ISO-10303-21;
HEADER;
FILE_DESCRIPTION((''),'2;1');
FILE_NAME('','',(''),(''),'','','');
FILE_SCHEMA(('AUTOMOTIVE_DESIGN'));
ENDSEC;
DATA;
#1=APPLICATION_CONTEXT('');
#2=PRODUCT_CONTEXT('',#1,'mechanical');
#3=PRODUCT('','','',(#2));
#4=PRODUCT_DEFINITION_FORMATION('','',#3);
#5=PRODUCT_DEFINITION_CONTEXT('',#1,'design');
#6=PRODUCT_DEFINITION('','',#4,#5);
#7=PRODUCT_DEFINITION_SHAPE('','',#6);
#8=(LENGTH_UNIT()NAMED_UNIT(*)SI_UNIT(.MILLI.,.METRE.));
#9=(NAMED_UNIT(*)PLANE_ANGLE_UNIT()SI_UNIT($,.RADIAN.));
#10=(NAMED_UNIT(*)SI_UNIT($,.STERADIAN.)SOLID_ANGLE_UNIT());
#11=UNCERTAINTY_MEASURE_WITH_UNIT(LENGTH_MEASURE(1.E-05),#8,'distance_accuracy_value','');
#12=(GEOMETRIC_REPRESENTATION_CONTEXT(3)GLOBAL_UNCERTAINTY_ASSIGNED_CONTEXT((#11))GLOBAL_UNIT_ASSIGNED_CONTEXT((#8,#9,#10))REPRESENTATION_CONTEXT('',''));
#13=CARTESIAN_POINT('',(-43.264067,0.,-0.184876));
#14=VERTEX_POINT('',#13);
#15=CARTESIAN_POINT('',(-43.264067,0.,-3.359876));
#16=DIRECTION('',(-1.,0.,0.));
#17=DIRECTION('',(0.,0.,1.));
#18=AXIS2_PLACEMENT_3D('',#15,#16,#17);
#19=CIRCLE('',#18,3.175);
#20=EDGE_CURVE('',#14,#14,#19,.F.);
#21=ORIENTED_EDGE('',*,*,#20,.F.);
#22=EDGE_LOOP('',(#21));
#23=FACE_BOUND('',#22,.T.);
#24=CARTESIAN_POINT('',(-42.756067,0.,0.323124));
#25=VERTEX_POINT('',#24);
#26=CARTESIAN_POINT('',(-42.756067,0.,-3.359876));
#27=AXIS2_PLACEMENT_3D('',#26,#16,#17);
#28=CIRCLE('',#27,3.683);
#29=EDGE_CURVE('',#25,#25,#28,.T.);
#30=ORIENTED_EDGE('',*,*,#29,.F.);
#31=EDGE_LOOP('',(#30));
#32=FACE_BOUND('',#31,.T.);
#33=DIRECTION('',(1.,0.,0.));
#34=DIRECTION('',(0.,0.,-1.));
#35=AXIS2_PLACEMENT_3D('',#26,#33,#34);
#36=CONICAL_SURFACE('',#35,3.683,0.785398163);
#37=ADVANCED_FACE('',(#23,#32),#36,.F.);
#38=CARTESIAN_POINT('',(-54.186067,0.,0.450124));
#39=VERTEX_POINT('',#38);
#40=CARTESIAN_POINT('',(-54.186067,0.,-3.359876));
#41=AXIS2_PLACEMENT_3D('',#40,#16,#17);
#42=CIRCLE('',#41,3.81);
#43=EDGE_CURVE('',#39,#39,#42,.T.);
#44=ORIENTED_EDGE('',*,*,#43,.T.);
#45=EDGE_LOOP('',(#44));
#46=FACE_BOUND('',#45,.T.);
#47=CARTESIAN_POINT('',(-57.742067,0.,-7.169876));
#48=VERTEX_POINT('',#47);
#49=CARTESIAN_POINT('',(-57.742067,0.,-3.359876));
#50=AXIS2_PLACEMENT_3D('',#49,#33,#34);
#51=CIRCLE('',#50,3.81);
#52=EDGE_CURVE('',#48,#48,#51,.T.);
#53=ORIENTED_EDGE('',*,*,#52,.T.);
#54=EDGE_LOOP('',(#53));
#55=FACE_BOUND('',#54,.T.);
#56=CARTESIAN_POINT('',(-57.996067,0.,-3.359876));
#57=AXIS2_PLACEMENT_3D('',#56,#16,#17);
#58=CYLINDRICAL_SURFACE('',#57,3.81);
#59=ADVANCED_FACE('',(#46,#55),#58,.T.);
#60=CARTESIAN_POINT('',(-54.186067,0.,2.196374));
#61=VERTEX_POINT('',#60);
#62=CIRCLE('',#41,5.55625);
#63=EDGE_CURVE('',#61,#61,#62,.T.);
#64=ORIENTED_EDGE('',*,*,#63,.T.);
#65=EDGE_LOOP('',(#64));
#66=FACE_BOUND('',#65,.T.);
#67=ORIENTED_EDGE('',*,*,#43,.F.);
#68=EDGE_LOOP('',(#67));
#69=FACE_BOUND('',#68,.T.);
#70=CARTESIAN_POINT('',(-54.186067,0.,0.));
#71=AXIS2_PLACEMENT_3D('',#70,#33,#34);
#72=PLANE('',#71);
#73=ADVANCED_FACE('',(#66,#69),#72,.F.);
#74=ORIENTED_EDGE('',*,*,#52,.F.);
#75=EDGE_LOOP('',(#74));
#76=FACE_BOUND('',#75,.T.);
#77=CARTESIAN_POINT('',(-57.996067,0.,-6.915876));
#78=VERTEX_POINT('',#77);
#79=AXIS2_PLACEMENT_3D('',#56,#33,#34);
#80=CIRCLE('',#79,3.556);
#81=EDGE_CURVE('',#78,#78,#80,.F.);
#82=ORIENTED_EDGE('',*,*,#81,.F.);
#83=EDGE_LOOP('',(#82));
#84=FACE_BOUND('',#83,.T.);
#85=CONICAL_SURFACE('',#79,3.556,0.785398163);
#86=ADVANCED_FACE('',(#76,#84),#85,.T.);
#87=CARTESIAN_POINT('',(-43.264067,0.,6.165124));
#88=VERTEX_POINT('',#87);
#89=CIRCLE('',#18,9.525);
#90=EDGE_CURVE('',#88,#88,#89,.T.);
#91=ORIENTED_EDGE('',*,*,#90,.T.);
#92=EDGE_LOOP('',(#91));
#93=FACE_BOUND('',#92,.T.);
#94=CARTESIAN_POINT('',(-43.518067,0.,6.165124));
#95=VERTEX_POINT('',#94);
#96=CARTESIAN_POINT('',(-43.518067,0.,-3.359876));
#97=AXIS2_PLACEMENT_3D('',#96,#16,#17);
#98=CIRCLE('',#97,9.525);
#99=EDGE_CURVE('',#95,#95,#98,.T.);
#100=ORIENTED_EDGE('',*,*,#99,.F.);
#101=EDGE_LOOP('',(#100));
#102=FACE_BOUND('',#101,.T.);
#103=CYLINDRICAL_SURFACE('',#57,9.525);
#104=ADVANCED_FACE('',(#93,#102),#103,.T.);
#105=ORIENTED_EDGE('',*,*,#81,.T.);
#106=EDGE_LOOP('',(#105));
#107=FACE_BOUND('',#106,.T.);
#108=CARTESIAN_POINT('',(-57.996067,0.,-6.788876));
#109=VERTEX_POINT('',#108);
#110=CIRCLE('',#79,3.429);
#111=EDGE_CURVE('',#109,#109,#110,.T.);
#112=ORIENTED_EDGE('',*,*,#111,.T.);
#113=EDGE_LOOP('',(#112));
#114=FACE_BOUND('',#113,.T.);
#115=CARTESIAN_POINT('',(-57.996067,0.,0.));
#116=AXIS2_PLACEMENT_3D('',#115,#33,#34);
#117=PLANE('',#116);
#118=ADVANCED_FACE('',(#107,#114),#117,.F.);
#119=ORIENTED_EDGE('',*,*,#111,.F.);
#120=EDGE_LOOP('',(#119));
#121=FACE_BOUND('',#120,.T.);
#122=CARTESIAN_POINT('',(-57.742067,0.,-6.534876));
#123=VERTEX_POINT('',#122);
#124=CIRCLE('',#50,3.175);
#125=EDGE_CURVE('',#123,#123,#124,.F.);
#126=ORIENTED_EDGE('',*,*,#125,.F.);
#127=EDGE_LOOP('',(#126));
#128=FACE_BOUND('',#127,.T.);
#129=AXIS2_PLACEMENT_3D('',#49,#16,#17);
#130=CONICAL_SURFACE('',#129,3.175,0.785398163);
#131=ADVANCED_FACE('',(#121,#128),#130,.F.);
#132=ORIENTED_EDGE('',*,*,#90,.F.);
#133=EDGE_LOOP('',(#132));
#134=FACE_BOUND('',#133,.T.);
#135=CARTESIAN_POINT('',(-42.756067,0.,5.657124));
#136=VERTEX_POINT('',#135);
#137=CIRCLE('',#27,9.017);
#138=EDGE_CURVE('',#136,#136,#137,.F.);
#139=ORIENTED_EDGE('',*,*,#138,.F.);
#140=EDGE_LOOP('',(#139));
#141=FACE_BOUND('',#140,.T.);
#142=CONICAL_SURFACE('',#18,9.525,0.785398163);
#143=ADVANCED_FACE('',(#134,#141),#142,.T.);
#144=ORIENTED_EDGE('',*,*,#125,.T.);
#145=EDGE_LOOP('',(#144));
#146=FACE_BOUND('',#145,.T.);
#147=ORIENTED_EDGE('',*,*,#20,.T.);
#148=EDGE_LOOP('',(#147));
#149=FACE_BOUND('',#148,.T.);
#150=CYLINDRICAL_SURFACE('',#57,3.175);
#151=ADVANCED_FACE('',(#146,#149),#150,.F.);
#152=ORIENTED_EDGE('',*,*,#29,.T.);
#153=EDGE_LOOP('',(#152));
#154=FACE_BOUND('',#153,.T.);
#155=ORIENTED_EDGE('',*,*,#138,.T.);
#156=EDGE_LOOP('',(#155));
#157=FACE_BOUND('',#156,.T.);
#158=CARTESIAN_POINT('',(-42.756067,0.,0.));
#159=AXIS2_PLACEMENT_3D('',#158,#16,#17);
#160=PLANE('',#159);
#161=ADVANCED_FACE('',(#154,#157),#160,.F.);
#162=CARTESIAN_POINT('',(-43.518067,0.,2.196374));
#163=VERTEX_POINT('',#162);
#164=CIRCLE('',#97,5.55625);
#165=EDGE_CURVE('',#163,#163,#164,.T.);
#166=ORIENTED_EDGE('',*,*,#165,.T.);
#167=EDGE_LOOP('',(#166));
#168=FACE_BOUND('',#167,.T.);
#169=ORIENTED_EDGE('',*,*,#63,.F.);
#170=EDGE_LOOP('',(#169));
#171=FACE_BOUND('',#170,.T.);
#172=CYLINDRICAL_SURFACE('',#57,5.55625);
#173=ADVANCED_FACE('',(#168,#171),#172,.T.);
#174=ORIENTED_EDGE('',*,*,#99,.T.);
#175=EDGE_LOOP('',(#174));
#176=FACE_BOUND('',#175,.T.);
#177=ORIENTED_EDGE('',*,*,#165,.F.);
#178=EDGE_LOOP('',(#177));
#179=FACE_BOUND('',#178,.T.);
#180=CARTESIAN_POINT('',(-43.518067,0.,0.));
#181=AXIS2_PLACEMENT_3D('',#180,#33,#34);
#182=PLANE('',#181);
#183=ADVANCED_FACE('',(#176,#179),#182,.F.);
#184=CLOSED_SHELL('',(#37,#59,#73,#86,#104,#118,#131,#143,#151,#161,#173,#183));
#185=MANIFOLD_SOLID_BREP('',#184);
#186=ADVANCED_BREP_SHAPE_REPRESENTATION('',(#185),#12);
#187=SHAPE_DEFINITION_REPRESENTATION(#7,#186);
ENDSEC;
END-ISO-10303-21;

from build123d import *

# Parameters (mm, degrees)
CHAMFER1_SIZE = 0.254
CHAMFER2_SIZE = 0.508
CHAMFER3_SIZE = 0.508


with BuildPart() as part:
    # Sketch1 → Revolve1 (revolve)
    with BuildSketch(Plane(origin=(0, 0, 0), x_dir=(1, 0, 0), z_dir=(0, 1, 0)), mode=Mode.PRIVATE) as revolve1_sk:
        Polygon((-54.186066728, 7.169875811), (-57.996066728, 7.169875811), (-57.996066728, 6.534875811), (-42.756066728, 6.534875811), (-42.756066728, 12.884875811), (-43.518066728, 12.884875811), (-43.518066728, 8.916125811), (-54.186066728, 8.916125811), align=None)
    revolve(revolve1_sk.sketch.rotate(Axis((-57.996066728, 0, -3.359875811), (1, 0, 0)), 180), axis=Axis((-57.996066728, 0, -3.359875811), (1, 0, 0)))

    # Chamfer1
    chamfer1_edges = [part.edges().sort_by_distance(p)[0] for p in [
        (-57.996066728, 0, -7.169875811),
        (-57.996066728, 0, -6.534875811),
    ]]
    chamfer(chamfer1_edges, length=CHAMFER1_SIZE)

    # Chamfer2
    chamfer2_edges = [part.edges().sort_by_distance(p)[0] for p in [
        (-42.756066728, 0, -6.534875811),
    ]]
    chamfer(chamfer2_edges, length=CHAMFER2_SIZE)

    # Chamfer3
    chamfer3_edges = [part.edges().sort_by_distance(p)[0] for p in [
        (-42.756066728, 0, -12.884875811),
    ]]
    chamfer(chamfer3_edges, length=CHAMFER3_SIZE)


solid = part.part
